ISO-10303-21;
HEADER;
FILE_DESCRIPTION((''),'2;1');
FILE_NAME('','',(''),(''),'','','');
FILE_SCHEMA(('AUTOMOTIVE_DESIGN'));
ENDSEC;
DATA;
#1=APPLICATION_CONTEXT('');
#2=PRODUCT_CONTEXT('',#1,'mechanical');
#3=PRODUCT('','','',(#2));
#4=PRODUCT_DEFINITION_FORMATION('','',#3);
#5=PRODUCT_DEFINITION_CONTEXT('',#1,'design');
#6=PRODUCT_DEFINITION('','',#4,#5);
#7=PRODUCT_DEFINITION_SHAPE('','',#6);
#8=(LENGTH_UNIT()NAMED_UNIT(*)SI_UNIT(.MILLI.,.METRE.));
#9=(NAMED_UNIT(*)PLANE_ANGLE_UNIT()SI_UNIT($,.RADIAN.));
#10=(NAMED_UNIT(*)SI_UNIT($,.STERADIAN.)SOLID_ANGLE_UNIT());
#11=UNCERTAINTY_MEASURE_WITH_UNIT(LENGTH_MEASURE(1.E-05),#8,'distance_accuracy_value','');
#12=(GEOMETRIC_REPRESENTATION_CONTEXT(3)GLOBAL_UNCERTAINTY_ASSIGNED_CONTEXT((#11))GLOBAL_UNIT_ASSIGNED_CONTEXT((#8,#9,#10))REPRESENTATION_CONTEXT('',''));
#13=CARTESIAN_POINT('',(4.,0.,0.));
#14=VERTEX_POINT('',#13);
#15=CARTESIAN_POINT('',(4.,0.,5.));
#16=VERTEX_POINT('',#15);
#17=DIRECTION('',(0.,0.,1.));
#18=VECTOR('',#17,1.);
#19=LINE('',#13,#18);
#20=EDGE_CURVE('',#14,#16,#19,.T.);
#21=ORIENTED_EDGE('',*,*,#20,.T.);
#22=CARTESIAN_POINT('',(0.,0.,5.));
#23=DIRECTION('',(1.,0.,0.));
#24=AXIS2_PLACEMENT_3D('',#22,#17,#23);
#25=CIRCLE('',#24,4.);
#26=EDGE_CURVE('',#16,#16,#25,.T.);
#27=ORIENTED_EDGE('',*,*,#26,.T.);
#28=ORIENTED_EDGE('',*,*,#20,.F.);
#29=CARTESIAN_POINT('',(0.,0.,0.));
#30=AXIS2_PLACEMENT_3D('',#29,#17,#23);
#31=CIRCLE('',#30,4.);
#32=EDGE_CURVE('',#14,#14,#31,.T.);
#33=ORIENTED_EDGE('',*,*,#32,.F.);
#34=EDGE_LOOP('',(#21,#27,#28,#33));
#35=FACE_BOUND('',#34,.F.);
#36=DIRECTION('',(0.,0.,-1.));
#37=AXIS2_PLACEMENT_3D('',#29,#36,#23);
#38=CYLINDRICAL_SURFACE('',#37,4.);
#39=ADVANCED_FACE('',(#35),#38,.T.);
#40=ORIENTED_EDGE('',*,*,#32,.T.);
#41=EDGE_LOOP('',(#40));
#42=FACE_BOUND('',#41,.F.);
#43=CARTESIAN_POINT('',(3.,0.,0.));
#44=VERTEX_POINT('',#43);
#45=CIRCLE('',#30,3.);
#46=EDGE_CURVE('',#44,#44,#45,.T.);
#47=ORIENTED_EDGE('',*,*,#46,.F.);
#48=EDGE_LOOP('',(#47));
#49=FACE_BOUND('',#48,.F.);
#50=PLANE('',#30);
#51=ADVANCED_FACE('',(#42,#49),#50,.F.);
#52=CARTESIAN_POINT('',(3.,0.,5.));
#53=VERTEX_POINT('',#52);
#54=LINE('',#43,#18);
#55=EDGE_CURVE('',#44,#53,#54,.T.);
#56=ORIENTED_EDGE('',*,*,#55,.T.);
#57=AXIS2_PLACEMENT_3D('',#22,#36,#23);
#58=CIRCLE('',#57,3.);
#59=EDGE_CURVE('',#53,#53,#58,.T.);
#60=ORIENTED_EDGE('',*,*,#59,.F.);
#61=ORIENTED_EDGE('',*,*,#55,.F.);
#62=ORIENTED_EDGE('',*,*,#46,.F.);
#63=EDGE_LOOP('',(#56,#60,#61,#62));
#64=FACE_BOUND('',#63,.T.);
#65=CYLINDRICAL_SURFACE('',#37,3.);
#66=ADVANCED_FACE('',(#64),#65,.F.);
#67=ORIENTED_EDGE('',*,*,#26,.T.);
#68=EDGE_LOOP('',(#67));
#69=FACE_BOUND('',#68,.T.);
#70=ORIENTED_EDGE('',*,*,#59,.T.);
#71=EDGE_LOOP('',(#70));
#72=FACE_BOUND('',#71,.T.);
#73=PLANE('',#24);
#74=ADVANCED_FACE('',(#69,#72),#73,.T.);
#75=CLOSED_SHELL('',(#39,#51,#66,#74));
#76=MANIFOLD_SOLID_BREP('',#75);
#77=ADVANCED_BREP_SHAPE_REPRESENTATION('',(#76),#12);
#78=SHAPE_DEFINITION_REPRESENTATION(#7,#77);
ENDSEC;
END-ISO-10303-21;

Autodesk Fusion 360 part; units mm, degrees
sketch "Sketch1" plane through (0, 0, 0) normal (0, 0, 1) x (1, 0, 0)
  circle A0 centre (0, 0) radius 4
  circle A1 centre (0, 0) radius 3
  dimension "d4" = 8
  dimension "d8" = 6
extrude "Extrude1" add sketch "Sketch1" along normal blind 5 contours A0 | A1
extrude "Extrude2" cut sketch "Sketch1" along normal blind 100 contours A1
equation "inner_radius = 3 mm"
equation "outer_radius = 4 mm"
equation "height = 5 mm"
equation "d4 = outer_radius * 2"
equation "extra = 100 mm"
equation "d6 = height"
equation "d8 = inner_radius * 2"
equation "d9 = extra"
